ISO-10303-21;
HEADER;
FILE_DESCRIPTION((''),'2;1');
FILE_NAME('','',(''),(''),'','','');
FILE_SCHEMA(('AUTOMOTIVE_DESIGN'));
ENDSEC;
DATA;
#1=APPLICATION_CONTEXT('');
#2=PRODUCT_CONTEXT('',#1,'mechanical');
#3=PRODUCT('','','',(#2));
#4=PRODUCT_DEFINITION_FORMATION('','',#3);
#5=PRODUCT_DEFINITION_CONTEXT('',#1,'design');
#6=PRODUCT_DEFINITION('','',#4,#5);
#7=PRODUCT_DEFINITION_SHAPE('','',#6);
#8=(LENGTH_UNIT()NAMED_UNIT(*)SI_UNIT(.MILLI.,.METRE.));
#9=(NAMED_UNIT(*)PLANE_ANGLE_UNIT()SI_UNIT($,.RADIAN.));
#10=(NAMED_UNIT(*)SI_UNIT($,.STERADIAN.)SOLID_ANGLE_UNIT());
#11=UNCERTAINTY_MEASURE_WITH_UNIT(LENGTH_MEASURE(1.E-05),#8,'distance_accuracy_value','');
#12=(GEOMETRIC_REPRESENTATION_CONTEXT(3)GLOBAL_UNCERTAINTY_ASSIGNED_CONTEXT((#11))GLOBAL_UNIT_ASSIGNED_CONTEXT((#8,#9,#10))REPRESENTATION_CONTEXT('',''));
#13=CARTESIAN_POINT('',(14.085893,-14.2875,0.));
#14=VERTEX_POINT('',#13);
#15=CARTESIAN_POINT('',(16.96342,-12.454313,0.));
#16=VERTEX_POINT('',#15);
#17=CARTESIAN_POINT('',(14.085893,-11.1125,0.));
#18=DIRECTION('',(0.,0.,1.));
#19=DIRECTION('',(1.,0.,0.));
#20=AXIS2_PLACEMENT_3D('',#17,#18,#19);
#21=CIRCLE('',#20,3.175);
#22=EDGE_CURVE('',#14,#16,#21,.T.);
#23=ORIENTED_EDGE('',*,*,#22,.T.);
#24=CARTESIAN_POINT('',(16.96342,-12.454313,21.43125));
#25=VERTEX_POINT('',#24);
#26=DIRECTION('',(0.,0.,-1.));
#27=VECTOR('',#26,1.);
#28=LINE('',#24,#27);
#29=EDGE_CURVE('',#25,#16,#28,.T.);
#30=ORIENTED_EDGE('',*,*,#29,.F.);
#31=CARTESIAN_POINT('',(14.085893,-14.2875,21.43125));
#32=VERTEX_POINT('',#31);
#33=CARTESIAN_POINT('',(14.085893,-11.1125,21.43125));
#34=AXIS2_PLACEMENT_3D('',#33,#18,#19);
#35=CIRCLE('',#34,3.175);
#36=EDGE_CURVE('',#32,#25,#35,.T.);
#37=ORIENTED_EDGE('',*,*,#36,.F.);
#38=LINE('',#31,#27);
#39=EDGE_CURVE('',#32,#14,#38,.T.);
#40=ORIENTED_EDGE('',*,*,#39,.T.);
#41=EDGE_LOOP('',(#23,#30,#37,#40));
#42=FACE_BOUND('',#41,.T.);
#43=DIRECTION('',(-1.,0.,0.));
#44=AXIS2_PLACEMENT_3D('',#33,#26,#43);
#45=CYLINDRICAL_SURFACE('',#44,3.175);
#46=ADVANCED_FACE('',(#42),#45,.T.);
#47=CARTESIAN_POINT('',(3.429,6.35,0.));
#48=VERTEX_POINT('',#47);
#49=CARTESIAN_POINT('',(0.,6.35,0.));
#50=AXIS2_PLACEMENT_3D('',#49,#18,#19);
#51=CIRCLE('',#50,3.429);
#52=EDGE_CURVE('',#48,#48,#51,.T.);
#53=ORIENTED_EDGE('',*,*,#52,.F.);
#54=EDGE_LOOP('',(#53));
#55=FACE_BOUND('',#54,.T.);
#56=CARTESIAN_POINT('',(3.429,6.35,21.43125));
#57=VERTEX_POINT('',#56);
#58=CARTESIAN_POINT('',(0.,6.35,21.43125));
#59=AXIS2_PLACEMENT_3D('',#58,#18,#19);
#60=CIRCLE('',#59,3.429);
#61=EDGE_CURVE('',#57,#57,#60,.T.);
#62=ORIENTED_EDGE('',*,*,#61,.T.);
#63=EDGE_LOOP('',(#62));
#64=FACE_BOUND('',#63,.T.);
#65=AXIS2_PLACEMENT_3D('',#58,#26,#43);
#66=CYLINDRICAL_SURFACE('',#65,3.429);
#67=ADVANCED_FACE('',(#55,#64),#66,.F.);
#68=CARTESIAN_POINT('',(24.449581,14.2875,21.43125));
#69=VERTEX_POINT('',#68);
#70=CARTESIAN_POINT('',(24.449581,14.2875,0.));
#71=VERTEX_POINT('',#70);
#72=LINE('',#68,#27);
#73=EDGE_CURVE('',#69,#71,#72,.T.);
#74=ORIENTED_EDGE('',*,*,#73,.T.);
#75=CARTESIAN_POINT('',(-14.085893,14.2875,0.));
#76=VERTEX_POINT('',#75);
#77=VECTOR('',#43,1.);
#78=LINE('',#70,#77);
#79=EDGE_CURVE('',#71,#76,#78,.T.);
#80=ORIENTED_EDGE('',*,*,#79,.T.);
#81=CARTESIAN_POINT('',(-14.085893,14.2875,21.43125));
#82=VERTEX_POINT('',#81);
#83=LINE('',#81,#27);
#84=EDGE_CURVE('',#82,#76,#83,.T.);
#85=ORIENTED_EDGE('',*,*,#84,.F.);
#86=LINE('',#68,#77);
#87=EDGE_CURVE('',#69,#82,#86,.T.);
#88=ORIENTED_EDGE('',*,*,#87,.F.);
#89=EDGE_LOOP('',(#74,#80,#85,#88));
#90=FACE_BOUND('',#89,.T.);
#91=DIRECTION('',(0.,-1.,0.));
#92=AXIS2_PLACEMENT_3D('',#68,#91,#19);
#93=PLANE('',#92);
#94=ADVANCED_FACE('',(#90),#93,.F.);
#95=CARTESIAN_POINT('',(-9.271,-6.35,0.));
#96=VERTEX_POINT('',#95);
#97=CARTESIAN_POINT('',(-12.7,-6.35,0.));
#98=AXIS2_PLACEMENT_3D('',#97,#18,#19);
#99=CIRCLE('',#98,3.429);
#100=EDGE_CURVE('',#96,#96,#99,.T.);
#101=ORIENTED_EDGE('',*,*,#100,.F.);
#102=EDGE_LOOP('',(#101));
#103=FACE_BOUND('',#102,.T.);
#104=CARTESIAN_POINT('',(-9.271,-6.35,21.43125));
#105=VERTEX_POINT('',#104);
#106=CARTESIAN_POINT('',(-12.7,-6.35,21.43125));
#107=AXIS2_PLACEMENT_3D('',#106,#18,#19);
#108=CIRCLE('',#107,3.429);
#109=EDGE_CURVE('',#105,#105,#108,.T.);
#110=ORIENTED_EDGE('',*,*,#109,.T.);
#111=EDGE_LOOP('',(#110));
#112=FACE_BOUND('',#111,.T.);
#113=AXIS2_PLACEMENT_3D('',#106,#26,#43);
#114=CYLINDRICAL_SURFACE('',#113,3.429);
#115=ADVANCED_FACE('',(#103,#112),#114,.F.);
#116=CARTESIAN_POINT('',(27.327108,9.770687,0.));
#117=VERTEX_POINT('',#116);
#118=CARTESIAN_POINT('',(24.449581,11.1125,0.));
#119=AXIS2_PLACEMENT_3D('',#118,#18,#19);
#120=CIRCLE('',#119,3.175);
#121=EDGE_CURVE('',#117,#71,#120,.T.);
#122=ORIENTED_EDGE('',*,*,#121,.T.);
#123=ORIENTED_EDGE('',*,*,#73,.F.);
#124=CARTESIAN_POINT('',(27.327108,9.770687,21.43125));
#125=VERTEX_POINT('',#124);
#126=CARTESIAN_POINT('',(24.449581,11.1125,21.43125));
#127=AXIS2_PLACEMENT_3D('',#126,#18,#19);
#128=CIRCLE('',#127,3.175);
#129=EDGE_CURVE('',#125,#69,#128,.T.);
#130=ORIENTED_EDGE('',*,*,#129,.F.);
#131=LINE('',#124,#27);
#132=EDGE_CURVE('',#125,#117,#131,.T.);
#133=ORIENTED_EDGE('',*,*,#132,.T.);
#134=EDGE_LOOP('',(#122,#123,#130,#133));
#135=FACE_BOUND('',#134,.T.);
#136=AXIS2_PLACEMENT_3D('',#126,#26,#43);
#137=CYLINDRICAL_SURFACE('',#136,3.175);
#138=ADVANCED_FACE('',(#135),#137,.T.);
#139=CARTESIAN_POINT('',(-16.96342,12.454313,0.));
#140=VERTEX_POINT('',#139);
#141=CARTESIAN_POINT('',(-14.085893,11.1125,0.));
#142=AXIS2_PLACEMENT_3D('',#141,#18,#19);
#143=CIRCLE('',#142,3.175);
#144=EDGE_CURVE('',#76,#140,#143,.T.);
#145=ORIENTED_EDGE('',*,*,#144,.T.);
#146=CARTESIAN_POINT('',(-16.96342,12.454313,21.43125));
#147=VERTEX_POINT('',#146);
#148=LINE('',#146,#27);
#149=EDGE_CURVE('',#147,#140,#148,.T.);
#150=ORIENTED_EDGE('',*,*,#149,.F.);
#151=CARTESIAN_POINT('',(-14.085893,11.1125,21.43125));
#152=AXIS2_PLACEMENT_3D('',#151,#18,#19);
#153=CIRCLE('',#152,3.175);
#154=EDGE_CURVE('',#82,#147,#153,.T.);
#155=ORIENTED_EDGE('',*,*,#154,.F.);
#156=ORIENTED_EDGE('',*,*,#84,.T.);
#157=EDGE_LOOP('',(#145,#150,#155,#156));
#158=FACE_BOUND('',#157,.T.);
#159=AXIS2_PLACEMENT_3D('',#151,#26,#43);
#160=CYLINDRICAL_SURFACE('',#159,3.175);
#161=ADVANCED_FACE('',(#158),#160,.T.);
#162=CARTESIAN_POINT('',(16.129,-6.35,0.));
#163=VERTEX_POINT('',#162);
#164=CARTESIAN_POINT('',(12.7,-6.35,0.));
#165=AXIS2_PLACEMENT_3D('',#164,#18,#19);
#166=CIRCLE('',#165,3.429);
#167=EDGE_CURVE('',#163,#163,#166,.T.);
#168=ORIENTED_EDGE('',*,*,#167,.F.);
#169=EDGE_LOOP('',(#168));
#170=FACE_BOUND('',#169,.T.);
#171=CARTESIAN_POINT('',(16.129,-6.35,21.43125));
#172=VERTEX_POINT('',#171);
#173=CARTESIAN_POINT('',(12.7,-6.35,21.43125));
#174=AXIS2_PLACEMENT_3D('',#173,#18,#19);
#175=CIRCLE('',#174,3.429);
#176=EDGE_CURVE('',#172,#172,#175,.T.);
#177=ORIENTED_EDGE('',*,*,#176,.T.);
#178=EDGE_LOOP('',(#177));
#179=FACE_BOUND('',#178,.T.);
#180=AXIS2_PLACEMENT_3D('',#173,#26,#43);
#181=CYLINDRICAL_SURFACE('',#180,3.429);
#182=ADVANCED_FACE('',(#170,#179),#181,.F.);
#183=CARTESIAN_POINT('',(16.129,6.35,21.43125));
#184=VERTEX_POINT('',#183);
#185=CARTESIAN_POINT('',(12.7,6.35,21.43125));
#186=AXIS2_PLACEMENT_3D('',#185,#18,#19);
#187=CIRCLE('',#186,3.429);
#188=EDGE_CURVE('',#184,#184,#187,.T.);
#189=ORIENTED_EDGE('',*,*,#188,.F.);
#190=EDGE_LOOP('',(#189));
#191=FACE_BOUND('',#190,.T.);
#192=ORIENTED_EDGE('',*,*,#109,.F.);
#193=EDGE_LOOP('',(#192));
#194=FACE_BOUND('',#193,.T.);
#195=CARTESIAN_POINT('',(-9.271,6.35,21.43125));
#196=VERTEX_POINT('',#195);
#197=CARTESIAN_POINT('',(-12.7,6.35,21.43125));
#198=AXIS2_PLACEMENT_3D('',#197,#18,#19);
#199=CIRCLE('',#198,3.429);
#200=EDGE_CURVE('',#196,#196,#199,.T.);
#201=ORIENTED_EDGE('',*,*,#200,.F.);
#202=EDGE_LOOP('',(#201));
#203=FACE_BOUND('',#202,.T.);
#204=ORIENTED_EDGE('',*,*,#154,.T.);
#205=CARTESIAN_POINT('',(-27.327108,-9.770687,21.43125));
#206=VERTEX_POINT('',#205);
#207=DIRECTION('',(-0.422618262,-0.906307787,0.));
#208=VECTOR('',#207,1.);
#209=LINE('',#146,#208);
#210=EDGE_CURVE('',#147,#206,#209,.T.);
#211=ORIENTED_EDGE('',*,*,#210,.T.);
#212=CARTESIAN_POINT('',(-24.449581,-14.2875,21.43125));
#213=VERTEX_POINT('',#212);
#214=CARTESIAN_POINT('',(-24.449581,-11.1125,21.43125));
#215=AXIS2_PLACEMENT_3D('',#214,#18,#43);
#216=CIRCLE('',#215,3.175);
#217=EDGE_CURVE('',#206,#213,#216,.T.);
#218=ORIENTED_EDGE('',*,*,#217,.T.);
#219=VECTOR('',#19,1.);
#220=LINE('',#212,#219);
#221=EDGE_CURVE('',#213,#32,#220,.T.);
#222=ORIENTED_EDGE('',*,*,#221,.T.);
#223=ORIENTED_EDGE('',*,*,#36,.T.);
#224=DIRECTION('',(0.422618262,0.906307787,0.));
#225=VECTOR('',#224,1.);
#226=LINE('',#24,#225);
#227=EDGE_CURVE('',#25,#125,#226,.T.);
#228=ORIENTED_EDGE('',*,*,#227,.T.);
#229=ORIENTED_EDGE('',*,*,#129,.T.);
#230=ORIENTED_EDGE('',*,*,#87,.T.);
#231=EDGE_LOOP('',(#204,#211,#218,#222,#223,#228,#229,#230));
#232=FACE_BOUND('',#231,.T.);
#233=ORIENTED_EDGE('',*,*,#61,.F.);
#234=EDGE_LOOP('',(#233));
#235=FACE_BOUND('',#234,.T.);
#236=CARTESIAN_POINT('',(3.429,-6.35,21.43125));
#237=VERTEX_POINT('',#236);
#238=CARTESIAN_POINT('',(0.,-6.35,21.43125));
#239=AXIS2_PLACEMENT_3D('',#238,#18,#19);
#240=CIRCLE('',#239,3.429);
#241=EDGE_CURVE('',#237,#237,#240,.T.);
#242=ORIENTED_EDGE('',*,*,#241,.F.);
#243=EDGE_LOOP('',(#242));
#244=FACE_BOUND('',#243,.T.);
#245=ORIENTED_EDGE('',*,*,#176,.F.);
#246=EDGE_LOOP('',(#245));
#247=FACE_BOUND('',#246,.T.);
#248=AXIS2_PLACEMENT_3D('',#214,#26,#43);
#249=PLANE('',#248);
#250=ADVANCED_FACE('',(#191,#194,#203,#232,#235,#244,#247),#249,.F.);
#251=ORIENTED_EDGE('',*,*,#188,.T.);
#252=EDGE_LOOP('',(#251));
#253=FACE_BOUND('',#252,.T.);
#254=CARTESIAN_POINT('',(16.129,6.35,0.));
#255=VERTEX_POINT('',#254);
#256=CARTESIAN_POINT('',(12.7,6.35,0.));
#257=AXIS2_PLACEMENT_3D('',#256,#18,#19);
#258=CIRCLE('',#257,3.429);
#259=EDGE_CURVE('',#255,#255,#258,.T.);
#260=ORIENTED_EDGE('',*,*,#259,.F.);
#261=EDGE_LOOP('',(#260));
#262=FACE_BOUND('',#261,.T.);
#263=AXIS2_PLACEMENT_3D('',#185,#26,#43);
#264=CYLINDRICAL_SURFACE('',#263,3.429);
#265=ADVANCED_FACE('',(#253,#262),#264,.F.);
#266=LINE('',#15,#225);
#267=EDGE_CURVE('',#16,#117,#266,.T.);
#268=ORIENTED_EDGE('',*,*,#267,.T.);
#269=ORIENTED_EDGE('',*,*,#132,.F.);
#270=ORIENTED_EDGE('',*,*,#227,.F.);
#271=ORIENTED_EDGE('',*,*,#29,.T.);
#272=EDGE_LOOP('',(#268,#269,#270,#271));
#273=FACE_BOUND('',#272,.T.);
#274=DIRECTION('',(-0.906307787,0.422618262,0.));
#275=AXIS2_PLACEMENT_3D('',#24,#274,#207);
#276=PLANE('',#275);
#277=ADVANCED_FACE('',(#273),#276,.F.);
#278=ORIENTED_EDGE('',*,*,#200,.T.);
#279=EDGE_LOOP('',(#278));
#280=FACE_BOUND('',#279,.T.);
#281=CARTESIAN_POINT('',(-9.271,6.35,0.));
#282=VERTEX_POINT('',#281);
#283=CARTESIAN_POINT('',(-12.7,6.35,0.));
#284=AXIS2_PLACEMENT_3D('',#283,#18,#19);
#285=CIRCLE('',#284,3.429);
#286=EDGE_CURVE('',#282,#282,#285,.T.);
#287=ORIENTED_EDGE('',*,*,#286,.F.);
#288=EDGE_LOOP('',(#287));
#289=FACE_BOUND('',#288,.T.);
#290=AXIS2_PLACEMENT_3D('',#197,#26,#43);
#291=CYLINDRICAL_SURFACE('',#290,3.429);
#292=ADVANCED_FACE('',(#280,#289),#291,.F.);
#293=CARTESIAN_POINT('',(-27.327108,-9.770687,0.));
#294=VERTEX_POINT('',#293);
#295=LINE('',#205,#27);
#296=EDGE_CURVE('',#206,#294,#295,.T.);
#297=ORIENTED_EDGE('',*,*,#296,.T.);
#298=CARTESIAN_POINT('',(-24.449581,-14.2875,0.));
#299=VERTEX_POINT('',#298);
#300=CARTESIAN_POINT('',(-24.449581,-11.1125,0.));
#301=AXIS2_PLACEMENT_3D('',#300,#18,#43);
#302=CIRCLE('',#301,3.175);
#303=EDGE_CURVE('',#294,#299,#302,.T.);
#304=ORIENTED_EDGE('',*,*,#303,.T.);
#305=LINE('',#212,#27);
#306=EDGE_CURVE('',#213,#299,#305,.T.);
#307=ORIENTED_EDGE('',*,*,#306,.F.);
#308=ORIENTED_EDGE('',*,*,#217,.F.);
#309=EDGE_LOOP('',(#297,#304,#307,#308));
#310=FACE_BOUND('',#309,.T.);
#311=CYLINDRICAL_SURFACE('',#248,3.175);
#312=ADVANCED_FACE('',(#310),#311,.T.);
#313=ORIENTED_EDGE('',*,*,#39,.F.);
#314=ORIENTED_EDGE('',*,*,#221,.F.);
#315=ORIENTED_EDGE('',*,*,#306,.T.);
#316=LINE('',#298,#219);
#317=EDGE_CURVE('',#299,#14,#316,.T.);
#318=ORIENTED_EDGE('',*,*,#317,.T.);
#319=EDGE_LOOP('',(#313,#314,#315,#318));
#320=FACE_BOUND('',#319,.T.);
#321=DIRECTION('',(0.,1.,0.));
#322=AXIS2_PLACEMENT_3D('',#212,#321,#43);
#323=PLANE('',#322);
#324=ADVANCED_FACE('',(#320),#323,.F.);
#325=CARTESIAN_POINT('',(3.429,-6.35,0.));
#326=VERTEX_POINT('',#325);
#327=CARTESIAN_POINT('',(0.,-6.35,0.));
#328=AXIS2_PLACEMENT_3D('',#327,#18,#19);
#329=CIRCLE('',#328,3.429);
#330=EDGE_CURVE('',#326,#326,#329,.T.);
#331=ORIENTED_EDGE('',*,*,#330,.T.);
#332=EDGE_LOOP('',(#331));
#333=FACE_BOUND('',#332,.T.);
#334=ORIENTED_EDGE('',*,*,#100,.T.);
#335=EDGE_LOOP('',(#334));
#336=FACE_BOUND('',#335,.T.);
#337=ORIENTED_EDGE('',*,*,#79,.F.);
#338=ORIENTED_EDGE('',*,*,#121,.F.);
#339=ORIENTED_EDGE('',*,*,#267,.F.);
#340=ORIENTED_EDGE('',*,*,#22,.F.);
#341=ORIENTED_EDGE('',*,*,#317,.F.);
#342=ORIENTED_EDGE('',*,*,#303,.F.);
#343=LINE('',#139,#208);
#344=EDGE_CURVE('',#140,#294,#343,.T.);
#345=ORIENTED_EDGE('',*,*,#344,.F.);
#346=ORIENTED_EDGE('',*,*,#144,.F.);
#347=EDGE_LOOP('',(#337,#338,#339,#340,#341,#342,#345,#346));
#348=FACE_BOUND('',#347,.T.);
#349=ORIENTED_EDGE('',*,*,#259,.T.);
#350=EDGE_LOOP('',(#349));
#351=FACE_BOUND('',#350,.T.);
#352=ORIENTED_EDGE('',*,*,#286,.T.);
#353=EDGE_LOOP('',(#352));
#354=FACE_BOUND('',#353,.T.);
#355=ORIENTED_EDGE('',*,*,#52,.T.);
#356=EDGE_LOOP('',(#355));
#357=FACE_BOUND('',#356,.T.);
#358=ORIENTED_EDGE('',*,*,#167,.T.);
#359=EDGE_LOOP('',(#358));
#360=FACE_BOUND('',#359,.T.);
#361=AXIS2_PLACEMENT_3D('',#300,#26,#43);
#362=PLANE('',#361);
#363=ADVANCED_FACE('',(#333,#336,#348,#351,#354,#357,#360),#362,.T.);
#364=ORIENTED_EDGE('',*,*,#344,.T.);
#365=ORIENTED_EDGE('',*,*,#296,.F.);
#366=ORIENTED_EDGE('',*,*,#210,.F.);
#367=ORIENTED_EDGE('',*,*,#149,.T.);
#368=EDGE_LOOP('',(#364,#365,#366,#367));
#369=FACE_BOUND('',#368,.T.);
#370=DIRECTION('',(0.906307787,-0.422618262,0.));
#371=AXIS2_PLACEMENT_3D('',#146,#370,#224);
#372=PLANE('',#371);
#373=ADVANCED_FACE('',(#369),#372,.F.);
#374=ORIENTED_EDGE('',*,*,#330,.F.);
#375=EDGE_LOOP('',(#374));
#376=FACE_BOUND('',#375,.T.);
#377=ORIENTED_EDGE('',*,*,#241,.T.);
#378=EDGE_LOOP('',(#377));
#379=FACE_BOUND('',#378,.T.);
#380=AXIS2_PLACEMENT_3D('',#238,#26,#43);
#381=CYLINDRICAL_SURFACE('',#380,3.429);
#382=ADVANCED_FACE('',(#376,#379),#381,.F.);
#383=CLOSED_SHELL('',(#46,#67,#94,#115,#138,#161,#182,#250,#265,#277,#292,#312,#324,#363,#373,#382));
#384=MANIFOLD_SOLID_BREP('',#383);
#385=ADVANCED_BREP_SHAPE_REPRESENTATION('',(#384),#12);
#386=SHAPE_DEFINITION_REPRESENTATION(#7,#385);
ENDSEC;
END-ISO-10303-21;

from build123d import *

# Parameters (mm, degrees)
SKETCH1_R           = 3.429
BOSS_EXTRUDE1_DEPTH = 21.43125


with BuildPart() as part:
    # Sketch1 → Boss-Extrude1 (new body)
    with BuildSketch(Plane.XY):
        with BuildLine():
            Line((-24.449580761, -14.2875), (14.085893059, -14.2875))
            ThreePointArc((14.085893059, -14.2875), (15.791819315, -13.79026784), (16.963420282, -12.454312981))
            Line((16.963420282, -12.454312981), (27.327107985, 9.770687019))
            ThreePointArc((27.327107985, 9.770687019), (27.127348602, 12.818426257), (24.449580761, 14.2875))
            Line((24.449580761, 14.2875), (-14.085893059, 14.2875))
            ThreePointArc((-14.085893059, 14.2875), (-15.791819315, 13.79026784), (-16.963420282, 12.454312981))
            Line((-16.963420282, 12.454312981), (-27.327107985, -9.770687019))
            ThreePointArc((-27.327107985, -9.770687019), (-27.127348602, -12.818426257), (-24.449580761, -14.2875))
        make_face()
        with Locations((-12.7, -6.35)):
            Circle(SKETCH1_R, mode=Mode.SUBTRACT)
        with Locations((0, -6.35)):
            Circle(SKETCH1_R, mode=Mode.SUBTRACT)
        with Locations((12.7, -6.35)):
            Circle(SKETCH1_R, mode=Mode.SUBTRACT)
        with Locations((0, 6.35)):
            Circle(SKETCH1_R, mode=Mode.SUBTRACT)
        with Locations((12.7, 6.35)):
            Circle(SKETCH1_R, mode=Mode.SUBTRACT)
        with Locations((-12.7, 6.35)):
            Circle(SKETCH1_R, mode=Mode.SUBTRACT)
    extrude(amount=BOSS_EXTRUDE1_DEPTH)


solid = part.part
